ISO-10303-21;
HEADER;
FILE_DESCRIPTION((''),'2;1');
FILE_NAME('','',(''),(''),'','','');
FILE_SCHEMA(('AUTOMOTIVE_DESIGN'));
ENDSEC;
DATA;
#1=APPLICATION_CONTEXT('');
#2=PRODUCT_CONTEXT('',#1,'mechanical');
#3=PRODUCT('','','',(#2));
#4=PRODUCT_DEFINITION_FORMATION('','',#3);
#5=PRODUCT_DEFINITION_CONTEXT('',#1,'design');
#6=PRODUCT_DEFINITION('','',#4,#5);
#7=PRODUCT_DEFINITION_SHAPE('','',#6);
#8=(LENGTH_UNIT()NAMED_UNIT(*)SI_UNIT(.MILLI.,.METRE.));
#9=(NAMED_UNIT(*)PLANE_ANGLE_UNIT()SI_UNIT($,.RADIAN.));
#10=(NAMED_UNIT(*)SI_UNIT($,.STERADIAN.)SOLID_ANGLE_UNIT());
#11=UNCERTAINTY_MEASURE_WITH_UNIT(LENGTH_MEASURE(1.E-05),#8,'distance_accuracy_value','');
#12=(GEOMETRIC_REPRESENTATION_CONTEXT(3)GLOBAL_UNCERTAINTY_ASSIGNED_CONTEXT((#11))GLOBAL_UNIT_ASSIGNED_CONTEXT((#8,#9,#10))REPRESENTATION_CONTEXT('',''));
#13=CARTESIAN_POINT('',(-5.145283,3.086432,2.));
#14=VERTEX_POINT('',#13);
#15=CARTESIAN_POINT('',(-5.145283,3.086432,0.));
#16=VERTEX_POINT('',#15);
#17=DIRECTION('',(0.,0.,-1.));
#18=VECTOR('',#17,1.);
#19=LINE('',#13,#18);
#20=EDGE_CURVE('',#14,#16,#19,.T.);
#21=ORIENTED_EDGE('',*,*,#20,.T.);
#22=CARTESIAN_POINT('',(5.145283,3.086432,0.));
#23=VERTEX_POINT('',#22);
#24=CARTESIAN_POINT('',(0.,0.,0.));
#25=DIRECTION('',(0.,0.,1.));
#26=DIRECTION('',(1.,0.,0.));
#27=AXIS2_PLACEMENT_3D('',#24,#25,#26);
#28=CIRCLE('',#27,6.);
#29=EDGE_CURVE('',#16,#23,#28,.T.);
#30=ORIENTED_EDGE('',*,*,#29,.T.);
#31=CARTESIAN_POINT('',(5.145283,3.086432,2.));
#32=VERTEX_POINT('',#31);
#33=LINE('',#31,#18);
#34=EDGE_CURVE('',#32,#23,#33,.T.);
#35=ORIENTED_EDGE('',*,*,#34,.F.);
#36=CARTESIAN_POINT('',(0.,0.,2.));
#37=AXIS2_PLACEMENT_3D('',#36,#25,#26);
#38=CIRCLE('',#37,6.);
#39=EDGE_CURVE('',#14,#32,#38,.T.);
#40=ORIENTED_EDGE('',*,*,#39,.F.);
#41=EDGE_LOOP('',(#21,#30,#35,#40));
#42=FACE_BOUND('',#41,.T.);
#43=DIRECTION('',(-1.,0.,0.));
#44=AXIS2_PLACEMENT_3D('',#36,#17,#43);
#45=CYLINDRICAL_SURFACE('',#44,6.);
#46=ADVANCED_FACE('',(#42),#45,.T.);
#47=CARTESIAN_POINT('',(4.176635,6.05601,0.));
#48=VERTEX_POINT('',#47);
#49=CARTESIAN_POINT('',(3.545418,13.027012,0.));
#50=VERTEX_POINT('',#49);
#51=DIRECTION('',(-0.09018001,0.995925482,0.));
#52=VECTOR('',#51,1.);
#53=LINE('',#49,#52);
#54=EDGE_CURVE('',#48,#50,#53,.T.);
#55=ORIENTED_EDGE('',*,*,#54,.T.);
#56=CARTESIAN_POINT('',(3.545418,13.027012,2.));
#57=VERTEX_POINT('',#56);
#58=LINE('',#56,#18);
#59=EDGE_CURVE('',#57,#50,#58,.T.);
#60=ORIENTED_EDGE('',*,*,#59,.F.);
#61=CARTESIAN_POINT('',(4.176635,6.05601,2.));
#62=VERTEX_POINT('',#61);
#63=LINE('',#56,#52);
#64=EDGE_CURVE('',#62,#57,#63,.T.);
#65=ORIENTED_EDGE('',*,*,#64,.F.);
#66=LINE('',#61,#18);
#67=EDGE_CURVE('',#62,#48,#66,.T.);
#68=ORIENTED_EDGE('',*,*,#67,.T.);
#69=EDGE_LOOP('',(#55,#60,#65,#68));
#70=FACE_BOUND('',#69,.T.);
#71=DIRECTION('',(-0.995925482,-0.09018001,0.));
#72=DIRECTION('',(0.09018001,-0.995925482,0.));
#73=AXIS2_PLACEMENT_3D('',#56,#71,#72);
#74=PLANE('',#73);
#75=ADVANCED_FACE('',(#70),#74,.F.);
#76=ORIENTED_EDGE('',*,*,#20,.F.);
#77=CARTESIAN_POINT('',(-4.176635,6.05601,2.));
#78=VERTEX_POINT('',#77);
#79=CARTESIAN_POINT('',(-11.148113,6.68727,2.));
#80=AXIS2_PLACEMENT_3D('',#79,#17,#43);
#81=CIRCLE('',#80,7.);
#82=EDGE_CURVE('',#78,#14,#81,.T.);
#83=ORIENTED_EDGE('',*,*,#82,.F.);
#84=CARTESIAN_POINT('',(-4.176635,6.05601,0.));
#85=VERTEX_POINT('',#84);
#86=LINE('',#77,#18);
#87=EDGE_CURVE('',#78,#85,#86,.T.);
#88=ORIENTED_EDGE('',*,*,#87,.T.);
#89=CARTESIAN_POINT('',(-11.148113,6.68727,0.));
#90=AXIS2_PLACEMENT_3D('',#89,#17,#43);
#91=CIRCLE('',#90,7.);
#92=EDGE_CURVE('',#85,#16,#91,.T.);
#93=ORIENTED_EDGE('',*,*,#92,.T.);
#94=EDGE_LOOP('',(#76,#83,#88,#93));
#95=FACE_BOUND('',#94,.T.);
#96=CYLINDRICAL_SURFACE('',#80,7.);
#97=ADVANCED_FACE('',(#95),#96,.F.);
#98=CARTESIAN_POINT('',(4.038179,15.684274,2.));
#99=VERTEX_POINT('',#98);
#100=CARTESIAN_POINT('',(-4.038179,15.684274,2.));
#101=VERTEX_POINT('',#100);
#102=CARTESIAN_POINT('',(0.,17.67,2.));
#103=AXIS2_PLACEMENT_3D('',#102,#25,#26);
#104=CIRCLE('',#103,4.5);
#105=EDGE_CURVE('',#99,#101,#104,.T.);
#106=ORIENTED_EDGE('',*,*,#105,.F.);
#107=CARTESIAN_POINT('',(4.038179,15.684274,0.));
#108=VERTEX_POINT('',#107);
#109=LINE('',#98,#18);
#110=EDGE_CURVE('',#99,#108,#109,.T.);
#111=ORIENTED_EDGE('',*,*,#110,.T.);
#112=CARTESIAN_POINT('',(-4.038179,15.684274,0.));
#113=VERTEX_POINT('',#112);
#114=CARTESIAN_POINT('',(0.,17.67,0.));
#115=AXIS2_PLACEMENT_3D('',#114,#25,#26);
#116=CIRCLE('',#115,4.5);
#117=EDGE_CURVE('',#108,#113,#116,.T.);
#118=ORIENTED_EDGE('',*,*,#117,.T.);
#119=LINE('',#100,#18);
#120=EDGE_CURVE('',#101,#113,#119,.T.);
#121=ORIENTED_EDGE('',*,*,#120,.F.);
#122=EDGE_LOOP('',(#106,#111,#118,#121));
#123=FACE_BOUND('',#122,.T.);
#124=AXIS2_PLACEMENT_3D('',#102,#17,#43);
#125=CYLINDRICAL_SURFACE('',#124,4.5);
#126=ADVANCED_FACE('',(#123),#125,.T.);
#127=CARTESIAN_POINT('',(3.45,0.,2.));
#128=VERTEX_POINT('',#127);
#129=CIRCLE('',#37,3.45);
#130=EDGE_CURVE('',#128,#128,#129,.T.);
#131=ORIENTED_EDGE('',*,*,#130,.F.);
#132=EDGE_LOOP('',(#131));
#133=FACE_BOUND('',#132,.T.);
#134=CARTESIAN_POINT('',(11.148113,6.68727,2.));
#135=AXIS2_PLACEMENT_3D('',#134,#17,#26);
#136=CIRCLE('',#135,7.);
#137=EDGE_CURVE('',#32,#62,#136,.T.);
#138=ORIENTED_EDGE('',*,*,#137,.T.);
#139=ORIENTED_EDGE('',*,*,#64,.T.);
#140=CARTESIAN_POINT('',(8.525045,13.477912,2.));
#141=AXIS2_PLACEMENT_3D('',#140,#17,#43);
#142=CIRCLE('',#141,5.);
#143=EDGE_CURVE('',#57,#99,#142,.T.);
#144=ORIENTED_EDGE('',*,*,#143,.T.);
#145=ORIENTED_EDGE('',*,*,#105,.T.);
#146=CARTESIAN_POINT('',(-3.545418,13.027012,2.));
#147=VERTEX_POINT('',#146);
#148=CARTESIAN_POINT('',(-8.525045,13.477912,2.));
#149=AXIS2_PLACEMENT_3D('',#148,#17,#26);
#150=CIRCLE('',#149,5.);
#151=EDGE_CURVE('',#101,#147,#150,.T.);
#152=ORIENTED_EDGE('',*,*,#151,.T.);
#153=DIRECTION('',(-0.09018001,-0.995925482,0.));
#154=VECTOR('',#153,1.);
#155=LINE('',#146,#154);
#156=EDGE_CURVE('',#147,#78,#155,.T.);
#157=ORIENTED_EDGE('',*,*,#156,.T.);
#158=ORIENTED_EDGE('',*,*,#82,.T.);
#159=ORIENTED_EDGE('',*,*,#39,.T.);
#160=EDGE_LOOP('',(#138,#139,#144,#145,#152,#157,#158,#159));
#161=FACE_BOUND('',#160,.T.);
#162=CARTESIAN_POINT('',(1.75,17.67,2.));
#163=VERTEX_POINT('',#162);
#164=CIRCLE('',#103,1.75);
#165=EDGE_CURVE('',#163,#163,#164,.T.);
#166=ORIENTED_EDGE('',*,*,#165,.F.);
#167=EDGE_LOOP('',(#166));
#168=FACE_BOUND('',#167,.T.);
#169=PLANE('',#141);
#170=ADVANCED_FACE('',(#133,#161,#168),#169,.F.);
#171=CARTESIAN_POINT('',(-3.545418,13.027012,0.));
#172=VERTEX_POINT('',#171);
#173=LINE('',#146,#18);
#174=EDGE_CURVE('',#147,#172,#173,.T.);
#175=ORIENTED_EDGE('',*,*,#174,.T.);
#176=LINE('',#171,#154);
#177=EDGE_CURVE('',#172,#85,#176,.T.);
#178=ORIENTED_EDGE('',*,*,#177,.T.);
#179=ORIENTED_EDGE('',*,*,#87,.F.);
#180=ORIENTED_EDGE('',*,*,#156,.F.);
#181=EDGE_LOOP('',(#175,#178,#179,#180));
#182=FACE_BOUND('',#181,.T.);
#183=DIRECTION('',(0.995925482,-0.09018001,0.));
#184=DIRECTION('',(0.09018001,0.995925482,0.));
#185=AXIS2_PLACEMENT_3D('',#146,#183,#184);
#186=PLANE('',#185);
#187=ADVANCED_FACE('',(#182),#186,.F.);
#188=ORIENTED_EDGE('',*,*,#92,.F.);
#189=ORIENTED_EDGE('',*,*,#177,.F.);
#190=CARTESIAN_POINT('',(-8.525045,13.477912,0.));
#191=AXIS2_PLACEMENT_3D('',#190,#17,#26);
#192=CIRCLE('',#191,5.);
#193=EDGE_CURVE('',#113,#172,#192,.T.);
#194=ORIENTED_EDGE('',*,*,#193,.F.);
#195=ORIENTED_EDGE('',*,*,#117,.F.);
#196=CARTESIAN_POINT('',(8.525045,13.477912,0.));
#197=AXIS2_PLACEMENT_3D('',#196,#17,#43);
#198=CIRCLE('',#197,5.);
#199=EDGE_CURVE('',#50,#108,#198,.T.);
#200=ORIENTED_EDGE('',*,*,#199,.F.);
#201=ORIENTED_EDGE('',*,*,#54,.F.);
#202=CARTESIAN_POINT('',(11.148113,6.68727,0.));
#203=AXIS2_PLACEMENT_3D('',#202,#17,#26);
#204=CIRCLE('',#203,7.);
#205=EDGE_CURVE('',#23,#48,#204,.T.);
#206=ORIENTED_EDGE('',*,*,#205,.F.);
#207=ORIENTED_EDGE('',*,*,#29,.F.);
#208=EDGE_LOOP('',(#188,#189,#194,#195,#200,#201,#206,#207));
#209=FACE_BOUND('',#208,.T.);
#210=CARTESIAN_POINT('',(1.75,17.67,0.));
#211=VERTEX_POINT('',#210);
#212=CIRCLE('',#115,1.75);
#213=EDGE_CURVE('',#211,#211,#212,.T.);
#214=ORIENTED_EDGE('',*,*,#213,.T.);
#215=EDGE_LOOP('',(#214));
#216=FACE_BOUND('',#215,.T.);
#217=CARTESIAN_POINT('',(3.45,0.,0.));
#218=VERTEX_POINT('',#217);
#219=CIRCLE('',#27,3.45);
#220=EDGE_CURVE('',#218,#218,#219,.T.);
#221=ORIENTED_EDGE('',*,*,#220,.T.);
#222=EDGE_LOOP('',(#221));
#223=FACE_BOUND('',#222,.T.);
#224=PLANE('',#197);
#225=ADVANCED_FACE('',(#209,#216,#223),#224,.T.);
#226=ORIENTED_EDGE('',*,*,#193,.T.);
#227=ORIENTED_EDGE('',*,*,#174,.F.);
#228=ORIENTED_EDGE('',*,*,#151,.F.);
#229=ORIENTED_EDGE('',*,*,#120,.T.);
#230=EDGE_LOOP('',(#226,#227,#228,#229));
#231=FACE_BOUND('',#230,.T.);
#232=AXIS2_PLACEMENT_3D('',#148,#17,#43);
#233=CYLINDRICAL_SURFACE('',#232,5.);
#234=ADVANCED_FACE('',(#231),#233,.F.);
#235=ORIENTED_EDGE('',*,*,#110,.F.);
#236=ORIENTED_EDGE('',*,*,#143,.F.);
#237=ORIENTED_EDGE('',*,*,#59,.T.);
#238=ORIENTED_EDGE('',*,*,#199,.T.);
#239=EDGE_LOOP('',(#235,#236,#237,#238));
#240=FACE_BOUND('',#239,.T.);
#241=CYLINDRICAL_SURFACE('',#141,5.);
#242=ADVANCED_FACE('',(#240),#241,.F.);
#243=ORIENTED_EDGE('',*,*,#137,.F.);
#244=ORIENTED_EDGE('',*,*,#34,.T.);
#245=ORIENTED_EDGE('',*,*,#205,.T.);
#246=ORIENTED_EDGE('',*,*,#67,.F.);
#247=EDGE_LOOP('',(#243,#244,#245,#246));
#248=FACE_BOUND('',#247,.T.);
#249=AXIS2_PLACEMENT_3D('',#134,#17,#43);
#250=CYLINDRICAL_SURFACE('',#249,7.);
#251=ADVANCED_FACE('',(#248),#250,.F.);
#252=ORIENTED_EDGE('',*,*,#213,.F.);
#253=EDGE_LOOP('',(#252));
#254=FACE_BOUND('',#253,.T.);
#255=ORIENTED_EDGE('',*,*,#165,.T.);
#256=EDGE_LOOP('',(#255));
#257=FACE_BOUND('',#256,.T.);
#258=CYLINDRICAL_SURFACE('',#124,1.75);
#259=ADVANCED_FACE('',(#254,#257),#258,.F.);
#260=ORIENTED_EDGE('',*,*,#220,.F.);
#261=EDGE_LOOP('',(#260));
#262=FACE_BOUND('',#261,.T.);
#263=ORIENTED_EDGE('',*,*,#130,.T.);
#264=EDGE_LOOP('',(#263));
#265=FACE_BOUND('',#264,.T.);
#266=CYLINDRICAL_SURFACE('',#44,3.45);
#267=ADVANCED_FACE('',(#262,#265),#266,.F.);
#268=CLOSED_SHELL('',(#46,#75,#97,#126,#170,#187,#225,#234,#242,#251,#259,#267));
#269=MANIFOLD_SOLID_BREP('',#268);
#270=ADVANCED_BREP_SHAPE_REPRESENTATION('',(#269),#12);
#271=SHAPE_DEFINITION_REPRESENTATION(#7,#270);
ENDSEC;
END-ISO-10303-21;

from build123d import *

# Parameters (mm, degrees)
SKETCH1_R           = 1.75
SKETCH1_R_2         = 3.45
BOSS_EXTRUDE1_DEPTH = 2


with BuildPart() as part:
    # Sketch1 → Boss-Extrude1 (new body)
    with BuildSketch(Plane.XY):
        with BuildLine():
            Line((-3.545417743, 13.027011553), (-4.176634672, 6.056009592))
            ThreePointArc((-4.176634672, 6.056009592), (-4.493207513, 4.516501974), (-5.145282945, 3.086432151))
            ThreePointArc((-5.145282945, 3.086432151), (0, -6), (5.145282945, 3.086432151))
            ThreePointArc((5.145282945, 3.086432151), (4.493207513, 4.516501974), (4.176634672, 6.056009592))
            Line((4.176634672, 6.056009592), (3.545417743, 13.027011553))
            ThreePointArc((3.545417743, 13.027011553), (3.608859175, 14.389566924), (4.038179283, 15.684273917))
            ThreePointArc((4.038179283, 15.684273917), (0, 22.17), (-4.038179283, 15.684273917))
            ThreePointArc((-4.038179283, 15.684273917), (-3.608859175, 14.389566924), (-3.545417743, 13.027011553))
        make_face()
        with Locations((0, 17.67)):
            Circle(SKETCH1_R, mode=Mode.SUBTRACT)
        Circle(SKETCH1_R_2, mode=Mode.SUBTRACT)
    extrude(amount=BOSS_EXTRUDE1_DEPTH)


solid = part.part
